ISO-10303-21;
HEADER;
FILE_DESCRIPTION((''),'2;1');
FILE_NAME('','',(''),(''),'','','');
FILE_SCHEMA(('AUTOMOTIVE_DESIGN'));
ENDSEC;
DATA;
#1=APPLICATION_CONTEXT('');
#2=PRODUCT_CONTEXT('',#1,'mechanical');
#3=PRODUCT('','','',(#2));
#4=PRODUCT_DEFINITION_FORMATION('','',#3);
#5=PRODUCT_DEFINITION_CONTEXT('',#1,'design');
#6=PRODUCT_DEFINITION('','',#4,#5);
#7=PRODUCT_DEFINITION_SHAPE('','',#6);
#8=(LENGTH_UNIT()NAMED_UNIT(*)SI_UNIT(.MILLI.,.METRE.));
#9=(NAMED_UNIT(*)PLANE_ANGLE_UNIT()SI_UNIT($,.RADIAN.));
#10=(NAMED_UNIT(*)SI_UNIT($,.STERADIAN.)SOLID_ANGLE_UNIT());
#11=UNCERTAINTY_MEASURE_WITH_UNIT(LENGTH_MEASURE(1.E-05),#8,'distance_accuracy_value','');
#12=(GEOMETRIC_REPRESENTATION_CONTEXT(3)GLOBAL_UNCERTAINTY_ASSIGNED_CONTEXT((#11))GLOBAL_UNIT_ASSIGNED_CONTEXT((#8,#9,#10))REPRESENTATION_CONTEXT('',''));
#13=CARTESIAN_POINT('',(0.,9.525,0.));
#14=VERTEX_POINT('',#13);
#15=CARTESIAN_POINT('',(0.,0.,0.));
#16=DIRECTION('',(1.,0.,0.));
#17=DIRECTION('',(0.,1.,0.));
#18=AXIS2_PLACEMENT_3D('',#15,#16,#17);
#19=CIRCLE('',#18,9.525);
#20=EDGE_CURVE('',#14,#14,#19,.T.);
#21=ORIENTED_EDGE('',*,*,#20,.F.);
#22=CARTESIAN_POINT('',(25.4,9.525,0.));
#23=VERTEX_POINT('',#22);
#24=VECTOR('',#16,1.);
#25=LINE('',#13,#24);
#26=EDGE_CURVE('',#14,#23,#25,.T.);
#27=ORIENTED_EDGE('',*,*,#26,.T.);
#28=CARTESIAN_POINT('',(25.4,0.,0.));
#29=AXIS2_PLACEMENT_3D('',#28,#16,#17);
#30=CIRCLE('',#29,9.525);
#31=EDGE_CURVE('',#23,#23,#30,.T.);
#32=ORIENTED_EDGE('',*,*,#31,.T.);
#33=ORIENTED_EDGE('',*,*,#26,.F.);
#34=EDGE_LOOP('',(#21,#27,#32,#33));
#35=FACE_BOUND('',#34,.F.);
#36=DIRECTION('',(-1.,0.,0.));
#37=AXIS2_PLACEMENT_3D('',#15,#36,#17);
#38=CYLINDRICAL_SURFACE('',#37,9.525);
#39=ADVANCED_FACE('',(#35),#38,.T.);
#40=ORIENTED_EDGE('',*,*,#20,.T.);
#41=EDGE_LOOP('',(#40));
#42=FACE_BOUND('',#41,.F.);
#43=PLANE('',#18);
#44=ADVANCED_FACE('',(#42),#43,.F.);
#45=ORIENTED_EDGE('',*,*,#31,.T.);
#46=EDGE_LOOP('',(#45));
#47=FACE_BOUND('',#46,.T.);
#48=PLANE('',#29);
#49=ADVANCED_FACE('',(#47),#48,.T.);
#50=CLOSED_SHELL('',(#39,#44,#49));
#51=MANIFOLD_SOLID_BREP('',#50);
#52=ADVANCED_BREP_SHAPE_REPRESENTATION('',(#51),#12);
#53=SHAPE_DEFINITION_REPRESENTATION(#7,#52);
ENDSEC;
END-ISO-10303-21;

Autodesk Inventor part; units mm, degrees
ref_plane "YZ Plane" through (0, 0, 0) normal (1, 0, 0) x (0, 1, 0)
ref_plane "XZ Plane" through (0, 0, 0) normal (0, 1, 0) x (-1, 0, 0)
ref_plane "XY Plane" through (0, 0, 0) normal (0, 0, 1) x (1, 0, 0)
sketch "Sketch1" plane through (0, 0, 0) normal (1, 0, 0) x (0, 1, 0)
  circle A0 centre (0, 0) radius 9.525
  dimension "d0" = 19.05
extrude "Extrusion1" add sketch "Sketch1" along normal blind 25.4
properties part number "Test Tool Holder"
